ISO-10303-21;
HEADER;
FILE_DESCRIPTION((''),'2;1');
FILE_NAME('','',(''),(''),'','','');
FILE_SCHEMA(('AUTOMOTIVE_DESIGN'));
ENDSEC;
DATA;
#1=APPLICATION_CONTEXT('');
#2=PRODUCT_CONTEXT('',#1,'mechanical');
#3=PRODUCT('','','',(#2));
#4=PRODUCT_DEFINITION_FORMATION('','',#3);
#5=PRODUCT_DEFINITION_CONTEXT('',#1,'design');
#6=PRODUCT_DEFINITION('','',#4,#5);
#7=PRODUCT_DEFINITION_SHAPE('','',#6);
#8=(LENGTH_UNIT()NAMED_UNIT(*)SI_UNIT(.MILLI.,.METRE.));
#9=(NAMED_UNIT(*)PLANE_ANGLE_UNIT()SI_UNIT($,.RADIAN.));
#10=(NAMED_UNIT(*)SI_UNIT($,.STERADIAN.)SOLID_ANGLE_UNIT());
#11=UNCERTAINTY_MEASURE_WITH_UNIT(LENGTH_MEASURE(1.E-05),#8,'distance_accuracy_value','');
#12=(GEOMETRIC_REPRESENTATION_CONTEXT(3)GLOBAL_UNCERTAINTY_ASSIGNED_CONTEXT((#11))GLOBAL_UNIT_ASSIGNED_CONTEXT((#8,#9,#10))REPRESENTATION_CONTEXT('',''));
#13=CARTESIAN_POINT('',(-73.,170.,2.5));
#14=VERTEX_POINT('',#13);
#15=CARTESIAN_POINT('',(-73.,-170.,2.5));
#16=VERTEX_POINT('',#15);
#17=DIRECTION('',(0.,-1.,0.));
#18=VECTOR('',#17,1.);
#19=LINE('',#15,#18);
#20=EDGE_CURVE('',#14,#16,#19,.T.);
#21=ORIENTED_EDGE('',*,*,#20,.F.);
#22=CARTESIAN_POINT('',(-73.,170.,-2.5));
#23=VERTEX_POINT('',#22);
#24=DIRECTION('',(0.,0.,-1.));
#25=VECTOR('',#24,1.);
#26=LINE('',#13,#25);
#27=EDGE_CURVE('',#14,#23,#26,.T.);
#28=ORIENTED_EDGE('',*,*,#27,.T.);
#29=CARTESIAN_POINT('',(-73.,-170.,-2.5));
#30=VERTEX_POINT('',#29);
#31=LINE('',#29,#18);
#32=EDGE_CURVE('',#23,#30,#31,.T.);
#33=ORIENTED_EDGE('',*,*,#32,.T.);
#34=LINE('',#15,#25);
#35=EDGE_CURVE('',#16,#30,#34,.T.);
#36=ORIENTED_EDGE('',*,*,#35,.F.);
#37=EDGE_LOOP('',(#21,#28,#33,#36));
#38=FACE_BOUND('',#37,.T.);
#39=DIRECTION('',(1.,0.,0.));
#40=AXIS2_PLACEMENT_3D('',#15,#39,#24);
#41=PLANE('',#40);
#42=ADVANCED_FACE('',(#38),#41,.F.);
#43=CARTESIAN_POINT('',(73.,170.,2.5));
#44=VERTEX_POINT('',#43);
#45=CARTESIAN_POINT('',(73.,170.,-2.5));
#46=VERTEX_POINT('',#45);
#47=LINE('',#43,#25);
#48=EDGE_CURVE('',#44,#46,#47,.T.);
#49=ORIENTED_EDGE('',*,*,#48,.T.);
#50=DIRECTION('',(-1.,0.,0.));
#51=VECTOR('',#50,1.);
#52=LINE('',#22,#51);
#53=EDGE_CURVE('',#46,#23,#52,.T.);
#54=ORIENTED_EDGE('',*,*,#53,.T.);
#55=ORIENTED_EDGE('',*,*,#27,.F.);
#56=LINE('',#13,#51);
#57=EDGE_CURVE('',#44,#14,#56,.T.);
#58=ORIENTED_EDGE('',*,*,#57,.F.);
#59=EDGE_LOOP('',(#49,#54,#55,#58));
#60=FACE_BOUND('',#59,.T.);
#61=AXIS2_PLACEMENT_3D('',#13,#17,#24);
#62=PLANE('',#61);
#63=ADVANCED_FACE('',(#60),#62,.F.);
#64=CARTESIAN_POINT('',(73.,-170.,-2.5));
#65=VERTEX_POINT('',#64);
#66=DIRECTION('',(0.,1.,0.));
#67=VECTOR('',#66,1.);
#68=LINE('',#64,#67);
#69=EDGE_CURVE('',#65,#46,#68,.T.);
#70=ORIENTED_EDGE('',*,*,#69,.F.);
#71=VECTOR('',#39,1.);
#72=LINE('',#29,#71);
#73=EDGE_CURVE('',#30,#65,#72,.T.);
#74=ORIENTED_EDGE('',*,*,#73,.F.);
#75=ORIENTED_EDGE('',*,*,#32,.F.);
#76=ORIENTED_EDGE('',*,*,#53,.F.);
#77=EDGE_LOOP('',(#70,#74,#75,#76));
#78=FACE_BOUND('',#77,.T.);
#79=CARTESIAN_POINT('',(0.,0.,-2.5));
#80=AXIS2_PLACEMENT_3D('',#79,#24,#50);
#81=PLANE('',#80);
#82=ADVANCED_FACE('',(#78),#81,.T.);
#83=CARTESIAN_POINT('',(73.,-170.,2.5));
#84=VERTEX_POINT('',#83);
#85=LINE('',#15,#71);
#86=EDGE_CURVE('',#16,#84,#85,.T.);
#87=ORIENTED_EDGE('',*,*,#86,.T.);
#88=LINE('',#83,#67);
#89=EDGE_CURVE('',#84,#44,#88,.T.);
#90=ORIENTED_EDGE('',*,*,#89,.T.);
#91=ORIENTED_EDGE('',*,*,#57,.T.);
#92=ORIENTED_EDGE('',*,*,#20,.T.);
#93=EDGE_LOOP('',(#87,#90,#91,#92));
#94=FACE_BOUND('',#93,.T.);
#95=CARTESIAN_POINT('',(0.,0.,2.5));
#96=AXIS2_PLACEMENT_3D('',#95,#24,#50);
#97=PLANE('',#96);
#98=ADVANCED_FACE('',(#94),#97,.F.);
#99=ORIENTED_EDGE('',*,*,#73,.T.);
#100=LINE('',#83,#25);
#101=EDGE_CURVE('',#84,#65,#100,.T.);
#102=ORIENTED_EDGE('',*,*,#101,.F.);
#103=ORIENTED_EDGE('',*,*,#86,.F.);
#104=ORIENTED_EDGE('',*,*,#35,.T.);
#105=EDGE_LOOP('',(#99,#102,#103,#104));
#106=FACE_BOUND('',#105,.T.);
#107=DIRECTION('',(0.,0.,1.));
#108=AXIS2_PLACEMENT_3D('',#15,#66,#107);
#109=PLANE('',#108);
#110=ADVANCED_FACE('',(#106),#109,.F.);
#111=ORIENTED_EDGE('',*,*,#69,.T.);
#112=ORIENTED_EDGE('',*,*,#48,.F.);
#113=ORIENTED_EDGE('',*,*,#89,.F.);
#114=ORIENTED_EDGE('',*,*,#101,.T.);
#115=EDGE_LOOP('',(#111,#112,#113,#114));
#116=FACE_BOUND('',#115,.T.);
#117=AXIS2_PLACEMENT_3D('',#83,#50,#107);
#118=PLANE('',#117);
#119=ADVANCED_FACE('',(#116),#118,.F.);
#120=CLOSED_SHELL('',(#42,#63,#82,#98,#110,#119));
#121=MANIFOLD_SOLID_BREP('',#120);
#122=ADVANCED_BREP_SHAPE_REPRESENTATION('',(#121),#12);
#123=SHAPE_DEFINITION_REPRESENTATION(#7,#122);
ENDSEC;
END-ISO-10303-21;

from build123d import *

# Parameters (mm, degrees)
SKETCH1_W           = 146
SKETCH1_H           = 340
BOSS_EXTRUDE1_DEPTH = 2.5


with BuildPart() as part:
    # Sketch1 → Boss-Extrude1 (new, symmetric)
    with BuildSketch(Plane.XY):
        Rectangle(SKETCH1_W, SKETCH1_H)
    extrude(amount=BOSS_EXTRUDE1_DEPTH, both=True)


solid = part.part
